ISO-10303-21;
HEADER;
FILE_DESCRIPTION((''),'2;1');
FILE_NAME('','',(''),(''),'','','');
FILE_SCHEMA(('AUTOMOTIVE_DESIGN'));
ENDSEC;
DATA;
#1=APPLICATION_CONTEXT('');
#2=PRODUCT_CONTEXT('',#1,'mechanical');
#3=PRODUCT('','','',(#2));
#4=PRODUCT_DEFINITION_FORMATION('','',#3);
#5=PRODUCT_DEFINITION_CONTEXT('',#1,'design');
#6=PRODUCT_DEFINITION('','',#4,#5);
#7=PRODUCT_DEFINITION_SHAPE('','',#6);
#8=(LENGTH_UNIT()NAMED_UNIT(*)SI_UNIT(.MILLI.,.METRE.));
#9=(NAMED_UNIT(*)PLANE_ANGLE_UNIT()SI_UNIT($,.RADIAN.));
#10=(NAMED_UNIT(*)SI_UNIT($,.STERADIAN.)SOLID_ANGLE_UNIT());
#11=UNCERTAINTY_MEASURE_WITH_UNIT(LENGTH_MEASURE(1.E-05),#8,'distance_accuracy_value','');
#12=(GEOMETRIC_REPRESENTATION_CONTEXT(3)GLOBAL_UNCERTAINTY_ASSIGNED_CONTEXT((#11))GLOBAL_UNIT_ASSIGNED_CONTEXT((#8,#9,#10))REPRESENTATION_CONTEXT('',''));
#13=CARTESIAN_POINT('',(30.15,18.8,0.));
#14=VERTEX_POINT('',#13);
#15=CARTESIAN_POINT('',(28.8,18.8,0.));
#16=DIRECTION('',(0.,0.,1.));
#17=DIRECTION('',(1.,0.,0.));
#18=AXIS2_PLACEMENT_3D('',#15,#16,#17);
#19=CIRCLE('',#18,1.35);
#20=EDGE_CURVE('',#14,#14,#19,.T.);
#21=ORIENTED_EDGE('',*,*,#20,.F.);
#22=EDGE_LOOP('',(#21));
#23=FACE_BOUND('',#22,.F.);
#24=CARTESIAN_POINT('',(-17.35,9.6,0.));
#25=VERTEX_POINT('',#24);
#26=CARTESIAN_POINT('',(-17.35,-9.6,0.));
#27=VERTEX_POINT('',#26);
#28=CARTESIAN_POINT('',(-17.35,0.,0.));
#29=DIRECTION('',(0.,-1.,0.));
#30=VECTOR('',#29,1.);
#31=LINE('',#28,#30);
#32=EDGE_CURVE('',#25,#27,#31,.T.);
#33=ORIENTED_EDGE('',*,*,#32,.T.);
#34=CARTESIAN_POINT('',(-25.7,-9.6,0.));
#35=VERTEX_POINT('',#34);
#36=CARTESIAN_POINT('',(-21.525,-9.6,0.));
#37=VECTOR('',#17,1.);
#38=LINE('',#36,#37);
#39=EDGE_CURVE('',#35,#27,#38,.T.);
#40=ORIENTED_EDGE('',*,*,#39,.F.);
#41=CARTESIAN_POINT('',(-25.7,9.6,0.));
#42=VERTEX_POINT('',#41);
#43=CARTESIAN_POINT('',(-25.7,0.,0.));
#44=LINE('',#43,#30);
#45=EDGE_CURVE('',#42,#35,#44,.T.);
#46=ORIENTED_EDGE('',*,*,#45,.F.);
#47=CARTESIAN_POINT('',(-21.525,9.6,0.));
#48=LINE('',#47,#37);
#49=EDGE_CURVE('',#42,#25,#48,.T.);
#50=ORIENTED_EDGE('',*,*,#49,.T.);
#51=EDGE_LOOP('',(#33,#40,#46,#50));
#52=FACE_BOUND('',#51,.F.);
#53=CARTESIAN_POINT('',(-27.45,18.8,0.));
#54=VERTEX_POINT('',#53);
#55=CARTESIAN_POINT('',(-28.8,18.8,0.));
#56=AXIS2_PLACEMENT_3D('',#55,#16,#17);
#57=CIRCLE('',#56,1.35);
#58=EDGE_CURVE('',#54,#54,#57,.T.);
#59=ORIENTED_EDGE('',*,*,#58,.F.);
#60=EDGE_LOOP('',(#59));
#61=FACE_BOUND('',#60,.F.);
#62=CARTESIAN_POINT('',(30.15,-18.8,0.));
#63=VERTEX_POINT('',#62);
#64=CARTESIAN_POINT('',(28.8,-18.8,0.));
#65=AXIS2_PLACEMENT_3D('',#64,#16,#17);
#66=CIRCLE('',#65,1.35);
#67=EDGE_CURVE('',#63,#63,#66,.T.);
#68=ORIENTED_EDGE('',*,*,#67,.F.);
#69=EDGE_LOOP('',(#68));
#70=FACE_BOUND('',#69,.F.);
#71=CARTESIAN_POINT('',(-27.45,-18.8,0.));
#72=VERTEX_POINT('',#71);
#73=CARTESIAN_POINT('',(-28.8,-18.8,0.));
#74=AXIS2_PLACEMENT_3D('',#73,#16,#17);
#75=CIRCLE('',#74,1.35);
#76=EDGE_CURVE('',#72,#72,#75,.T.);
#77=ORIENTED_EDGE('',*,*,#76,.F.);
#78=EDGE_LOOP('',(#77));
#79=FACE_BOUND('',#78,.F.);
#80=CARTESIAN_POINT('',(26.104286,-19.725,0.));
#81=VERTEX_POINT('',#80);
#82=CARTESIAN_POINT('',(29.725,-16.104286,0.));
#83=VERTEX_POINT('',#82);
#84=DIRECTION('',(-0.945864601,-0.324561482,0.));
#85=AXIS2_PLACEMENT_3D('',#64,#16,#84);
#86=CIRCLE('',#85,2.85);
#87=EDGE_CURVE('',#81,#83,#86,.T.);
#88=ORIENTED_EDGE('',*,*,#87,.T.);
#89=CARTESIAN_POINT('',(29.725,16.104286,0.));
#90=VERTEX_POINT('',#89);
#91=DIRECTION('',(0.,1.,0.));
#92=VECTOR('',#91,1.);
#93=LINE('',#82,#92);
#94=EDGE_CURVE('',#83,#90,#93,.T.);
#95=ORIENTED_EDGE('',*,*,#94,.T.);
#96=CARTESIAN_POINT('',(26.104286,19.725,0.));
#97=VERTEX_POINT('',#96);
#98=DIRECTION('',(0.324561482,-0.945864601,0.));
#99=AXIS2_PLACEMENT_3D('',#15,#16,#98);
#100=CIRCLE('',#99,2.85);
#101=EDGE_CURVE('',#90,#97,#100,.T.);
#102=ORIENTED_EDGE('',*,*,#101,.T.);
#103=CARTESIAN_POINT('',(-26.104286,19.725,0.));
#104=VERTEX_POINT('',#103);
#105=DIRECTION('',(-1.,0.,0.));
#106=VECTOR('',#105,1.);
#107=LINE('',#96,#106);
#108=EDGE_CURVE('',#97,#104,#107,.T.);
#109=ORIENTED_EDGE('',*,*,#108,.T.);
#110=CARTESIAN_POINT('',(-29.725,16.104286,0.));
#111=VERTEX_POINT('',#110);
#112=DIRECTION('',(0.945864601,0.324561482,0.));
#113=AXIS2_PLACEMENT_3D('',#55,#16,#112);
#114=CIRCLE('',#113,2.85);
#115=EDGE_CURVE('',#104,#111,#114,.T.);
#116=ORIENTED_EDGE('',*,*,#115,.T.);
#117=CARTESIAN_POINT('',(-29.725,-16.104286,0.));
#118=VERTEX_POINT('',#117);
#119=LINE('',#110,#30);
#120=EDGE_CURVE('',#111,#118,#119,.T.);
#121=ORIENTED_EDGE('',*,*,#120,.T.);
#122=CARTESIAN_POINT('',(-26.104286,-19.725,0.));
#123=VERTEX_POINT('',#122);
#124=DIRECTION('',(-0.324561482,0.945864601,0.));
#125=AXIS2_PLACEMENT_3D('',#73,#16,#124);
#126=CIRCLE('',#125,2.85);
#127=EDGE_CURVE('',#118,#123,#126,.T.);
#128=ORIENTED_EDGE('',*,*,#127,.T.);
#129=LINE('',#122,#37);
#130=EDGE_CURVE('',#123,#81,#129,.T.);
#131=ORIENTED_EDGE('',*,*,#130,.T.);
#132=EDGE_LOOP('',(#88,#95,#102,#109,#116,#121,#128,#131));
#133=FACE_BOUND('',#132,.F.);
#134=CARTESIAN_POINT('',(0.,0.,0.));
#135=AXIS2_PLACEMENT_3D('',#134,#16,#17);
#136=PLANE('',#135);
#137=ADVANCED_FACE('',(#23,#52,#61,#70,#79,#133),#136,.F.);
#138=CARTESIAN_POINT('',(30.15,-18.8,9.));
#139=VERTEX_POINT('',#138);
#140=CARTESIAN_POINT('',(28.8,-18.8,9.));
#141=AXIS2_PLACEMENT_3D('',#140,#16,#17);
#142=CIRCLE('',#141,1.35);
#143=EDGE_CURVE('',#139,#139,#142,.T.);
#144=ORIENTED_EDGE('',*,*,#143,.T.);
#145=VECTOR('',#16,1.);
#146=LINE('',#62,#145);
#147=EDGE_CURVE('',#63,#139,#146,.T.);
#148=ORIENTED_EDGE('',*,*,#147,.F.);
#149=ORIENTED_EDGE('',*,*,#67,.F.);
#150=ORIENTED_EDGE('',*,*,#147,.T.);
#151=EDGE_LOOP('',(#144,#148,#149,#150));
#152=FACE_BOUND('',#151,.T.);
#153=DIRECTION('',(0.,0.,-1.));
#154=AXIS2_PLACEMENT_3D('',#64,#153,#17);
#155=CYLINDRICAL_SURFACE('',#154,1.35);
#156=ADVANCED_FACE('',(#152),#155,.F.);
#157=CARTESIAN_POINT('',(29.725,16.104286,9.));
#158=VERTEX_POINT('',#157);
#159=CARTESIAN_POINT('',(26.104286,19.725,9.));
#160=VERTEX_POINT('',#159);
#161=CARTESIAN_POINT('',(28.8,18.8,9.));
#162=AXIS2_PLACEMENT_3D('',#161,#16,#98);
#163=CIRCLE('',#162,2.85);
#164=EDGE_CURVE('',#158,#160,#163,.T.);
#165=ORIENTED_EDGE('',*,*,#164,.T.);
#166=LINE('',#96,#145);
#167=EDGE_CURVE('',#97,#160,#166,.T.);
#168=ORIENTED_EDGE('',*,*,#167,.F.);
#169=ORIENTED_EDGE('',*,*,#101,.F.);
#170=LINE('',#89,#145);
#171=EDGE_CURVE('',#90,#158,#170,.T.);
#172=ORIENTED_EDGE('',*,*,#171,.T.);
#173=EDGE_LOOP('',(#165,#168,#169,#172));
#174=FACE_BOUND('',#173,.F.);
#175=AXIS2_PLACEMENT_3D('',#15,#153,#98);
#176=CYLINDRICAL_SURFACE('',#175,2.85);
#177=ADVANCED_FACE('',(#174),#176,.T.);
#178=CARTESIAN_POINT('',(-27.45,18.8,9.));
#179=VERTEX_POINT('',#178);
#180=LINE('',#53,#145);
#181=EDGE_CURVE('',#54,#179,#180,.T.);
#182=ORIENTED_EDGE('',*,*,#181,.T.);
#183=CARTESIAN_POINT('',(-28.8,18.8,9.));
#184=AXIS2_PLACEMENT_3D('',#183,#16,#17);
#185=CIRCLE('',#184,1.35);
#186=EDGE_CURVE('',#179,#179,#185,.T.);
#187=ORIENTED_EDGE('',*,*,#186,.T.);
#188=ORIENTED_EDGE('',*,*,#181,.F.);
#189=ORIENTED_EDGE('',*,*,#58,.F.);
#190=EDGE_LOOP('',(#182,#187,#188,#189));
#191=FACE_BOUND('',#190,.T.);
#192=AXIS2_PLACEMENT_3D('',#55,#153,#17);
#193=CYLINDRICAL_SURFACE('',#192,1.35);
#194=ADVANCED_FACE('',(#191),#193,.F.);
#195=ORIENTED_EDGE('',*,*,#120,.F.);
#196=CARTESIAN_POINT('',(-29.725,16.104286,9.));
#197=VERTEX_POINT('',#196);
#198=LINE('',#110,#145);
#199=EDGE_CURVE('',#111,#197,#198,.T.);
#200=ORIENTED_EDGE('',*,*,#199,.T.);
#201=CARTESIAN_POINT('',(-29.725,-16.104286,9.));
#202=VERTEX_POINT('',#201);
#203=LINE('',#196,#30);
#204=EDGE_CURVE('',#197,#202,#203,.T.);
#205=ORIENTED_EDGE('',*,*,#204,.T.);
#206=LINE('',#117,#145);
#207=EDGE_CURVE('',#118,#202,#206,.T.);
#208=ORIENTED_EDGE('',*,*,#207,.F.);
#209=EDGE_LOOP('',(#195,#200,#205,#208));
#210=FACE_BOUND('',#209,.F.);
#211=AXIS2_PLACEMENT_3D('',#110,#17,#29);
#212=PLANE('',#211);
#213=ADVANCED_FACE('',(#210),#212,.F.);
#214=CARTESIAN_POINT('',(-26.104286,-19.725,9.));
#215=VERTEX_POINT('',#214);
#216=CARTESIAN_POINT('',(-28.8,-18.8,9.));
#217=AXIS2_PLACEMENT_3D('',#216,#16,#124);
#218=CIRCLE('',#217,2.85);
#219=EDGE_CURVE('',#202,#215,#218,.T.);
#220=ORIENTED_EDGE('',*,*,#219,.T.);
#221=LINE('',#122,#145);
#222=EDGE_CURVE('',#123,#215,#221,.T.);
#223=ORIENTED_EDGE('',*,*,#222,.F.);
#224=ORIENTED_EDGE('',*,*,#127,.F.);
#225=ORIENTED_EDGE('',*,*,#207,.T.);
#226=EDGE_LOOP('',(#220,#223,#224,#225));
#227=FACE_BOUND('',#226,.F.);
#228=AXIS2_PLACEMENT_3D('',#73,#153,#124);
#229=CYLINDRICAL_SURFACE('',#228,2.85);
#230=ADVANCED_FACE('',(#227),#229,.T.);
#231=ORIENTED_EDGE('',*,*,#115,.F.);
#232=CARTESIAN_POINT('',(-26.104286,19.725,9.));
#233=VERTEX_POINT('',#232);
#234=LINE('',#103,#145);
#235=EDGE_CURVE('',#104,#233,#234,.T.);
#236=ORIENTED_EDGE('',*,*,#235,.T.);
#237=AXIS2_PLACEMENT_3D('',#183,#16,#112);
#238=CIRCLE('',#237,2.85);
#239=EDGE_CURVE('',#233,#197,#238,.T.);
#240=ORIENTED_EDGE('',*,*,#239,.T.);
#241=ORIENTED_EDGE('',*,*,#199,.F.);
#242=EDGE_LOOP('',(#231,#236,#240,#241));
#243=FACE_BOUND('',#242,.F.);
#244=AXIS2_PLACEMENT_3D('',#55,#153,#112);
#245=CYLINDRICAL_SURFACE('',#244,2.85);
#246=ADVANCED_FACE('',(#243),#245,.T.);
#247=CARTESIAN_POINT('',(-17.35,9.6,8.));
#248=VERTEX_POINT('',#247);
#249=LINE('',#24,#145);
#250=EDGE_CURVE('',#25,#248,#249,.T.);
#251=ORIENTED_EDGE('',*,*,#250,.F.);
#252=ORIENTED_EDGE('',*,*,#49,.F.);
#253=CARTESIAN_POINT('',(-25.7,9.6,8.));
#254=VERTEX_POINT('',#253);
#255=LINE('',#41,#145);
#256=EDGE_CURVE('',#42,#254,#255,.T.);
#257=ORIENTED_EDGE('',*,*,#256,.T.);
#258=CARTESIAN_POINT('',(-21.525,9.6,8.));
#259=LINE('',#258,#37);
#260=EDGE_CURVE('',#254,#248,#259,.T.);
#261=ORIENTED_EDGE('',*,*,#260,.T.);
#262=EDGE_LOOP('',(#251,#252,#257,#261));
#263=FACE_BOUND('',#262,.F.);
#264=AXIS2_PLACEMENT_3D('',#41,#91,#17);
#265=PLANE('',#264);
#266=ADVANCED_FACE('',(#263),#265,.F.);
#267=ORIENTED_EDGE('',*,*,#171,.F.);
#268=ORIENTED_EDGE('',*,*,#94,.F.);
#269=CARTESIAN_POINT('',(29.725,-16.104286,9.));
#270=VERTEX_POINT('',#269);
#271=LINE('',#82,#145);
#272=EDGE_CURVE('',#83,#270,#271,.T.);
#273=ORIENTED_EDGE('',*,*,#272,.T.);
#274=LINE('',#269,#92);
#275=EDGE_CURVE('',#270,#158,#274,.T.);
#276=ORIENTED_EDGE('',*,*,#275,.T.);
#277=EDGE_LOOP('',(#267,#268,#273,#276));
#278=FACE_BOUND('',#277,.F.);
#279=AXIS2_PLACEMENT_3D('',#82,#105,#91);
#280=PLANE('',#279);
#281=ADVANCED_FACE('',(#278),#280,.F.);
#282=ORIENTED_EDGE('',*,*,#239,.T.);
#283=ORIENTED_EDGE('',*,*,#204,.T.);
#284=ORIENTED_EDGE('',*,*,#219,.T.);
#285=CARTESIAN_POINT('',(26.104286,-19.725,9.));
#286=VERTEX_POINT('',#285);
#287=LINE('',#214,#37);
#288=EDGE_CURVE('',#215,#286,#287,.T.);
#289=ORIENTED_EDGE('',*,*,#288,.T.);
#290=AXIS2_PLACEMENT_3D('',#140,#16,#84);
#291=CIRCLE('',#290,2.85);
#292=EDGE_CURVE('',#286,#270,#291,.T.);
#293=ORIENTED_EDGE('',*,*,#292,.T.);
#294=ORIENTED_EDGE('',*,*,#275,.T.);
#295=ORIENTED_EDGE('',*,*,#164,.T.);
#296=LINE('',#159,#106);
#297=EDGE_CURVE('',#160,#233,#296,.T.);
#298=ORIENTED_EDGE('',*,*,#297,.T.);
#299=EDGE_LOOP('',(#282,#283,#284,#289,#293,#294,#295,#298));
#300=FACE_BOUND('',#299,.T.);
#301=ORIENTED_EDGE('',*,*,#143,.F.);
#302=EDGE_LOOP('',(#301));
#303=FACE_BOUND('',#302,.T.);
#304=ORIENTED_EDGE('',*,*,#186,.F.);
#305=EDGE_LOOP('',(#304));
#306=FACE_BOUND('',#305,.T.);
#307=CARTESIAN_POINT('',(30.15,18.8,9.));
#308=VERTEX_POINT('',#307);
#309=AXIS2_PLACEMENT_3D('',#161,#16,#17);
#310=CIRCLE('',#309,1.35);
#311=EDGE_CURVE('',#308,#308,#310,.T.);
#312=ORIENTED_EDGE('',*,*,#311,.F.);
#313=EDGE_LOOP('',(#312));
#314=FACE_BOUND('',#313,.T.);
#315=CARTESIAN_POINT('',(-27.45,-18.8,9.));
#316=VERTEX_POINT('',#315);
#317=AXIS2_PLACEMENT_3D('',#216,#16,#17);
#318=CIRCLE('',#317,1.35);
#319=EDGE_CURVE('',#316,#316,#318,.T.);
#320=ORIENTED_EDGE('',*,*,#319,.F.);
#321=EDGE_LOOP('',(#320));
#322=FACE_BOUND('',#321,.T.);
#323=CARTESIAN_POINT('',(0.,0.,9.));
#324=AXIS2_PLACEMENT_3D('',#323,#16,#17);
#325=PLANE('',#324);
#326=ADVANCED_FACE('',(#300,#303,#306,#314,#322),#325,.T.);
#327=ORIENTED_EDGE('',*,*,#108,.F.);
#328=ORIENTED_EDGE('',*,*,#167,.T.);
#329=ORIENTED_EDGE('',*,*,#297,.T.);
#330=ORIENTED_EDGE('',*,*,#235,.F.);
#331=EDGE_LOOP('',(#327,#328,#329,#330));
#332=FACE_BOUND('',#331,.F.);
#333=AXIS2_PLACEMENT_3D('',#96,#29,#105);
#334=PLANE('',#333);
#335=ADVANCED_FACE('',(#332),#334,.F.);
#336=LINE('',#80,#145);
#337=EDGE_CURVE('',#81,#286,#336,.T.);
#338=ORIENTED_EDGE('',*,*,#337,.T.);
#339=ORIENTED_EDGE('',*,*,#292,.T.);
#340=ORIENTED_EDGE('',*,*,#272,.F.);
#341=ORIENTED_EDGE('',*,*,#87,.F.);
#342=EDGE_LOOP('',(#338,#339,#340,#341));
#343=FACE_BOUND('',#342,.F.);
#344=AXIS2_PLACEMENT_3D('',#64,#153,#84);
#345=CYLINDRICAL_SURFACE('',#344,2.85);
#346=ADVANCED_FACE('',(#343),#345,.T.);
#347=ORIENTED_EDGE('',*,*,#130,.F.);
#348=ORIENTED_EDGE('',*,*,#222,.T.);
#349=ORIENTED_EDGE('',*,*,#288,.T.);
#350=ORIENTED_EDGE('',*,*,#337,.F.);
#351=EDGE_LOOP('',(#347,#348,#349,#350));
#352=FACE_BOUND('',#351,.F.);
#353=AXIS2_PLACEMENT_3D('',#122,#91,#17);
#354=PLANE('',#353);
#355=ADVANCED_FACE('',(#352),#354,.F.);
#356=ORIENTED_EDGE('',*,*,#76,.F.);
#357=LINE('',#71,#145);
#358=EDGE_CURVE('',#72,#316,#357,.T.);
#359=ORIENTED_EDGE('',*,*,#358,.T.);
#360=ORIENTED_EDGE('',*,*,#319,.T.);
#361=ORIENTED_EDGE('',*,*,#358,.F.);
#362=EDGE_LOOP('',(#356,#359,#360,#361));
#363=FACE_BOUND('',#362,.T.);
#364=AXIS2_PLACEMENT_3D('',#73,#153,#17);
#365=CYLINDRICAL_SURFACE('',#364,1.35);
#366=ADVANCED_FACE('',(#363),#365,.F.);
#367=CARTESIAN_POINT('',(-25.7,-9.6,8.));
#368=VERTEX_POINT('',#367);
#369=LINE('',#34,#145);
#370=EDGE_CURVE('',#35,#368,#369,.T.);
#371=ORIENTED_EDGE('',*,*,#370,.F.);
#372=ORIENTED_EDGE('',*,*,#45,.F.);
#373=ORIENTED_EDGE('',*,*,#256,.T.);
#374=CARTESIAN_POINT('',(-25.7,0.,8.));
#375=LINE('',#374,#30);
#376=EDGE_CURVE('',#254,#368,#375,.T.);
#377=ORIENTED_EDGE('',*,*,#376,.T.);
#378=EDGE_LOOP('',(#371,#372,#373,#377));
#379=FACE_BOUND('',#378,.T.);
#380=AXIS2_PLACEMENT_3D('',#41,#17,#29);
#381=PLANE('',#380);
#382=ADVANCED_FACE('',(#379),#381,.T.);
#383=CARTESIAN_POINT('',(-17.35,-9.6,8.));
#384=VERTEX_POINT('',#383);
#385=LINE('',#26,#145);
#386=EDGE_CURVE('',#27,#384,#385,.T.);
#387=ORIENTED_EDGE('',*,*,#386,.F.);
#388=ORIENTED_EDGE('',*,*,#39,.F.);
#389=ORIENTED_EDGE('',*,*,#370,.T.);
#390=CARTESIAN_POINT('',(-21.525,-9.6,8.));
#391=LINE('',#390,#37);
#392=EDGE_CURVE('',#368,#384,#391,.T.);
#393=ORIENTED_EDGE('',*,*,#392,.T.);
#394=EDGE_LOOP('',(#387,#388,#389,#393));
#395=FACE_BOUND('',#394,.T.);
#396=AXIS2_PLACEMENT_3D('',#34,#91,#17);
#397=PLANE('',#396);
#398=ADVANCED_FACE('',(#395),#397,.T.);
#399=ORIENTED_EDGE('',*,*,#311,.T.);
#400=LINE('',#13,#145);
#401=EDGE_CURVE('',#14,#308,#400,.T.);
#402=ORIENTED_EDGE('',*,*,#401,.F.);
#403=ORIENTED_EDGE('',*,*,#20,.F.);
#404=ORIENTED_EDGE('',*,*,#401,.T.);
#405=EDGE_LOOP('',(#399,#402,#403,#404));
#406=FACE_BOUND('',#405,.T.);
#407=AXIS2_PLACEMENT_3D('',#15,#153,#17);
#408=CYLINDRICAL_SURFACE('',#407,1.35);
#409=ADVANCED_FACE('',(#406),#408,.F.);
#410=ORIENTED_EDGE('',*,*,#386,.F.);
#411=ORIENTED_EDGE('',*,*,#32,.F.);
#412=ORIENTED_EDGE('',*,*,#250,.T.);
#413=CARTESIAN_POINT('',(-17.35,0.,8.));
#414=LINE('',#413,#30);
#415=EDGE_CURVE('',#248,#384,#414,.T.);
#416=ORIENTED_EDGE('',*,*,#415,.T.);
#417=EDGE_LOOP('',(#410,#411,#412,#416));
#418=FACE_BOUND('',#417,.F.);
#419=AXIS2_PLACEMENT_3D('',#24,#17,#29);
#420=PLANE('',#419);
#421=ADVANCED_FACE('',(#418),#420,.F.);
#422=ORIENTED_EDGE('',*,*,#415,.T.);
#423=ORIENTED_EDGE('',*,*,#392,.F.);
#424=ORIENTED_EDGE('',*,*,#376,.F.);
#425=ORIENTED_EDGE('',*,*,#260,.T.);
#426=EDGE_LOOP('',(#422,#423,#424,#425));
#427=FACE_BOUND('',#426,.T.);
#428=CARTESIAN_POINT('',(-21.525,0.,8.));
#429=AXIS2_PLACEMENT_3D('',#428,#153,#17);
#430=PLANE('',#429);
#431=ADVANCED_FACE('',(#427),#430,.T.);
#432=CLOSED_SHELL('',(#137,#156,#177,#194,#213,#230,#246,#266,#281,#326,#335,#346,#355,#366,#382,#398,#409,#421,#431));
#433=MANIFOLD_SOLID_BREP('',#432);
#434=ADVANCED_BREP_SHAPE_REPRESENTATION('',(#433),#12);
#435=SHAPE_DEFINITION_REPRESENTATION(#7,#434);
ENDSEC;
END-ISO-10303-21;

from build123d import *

# Parameters (mm, degrees)
F0_R     = 1.35
F1_DEPTH = 9
F2_W     = 8.35
F2_H     = 19.2
F3_DEPTH = 8


with BuildPart() as f1:
    # F0 (on Top) → F1 (new body)
    with BuildSketch(Plane.XY):
        with BuildLine():
            Line((26.104286, 19.725), (-26.104286, 19.725))
            ThreePointArc((-26.104286, 19.725), (-30.815254, 20.815254), (-29.725, 16.104286))
            Line((-29.725, 16.104286), (-29.725, -16.104286))
            ThreePointArc((-29.725, -16.104286), (-30.815254, -20.815254), (-26.104286, -19.725))
            Line((-26.104286, -19.725), (26.104286, -19.725))
            ThreePointArc((26.104286, -19.725), (30.815254, -20.815254), (29.725, -16.104286))
            Line((29.725, -16.104286), (29.725, 16.104286))
            ThreePointArc((29.725, 16.104286), (30.815254, 20.815254), (26.104286, 19.725))
        make_face()
        with Locations((-28.8, -18.8)):
            Circle(F0_R, mode=Mode.SUBTRACT)
        with Locations((28.8, -18.8)):
            Circle(F0_R, mode=Mode.SUBTRACT)
        with Locations((-28.8, 18.8)):
            Circle(F0_R, mode=Mode.SUBTRACT)
        with Locations((28.8, 18.8)):
            Circle(F0_R, mode=Mode.SUBTRACT)
    extrude(amount=F1_DEPTH)

    # F2 (on face) → F3 (cut)
    with BuildSketch(Plane(origin=(0, 0, 0), x_dir=(1, 0, 0), z_dir=(0, 0, -1))):
        with Locations((-21.525, 0)):
            Rectangle(F2_W, F2_H)
    extrude(amount=-F3_DEPTH, mode=Mode.SUBTRACT)


solid = f1.part
